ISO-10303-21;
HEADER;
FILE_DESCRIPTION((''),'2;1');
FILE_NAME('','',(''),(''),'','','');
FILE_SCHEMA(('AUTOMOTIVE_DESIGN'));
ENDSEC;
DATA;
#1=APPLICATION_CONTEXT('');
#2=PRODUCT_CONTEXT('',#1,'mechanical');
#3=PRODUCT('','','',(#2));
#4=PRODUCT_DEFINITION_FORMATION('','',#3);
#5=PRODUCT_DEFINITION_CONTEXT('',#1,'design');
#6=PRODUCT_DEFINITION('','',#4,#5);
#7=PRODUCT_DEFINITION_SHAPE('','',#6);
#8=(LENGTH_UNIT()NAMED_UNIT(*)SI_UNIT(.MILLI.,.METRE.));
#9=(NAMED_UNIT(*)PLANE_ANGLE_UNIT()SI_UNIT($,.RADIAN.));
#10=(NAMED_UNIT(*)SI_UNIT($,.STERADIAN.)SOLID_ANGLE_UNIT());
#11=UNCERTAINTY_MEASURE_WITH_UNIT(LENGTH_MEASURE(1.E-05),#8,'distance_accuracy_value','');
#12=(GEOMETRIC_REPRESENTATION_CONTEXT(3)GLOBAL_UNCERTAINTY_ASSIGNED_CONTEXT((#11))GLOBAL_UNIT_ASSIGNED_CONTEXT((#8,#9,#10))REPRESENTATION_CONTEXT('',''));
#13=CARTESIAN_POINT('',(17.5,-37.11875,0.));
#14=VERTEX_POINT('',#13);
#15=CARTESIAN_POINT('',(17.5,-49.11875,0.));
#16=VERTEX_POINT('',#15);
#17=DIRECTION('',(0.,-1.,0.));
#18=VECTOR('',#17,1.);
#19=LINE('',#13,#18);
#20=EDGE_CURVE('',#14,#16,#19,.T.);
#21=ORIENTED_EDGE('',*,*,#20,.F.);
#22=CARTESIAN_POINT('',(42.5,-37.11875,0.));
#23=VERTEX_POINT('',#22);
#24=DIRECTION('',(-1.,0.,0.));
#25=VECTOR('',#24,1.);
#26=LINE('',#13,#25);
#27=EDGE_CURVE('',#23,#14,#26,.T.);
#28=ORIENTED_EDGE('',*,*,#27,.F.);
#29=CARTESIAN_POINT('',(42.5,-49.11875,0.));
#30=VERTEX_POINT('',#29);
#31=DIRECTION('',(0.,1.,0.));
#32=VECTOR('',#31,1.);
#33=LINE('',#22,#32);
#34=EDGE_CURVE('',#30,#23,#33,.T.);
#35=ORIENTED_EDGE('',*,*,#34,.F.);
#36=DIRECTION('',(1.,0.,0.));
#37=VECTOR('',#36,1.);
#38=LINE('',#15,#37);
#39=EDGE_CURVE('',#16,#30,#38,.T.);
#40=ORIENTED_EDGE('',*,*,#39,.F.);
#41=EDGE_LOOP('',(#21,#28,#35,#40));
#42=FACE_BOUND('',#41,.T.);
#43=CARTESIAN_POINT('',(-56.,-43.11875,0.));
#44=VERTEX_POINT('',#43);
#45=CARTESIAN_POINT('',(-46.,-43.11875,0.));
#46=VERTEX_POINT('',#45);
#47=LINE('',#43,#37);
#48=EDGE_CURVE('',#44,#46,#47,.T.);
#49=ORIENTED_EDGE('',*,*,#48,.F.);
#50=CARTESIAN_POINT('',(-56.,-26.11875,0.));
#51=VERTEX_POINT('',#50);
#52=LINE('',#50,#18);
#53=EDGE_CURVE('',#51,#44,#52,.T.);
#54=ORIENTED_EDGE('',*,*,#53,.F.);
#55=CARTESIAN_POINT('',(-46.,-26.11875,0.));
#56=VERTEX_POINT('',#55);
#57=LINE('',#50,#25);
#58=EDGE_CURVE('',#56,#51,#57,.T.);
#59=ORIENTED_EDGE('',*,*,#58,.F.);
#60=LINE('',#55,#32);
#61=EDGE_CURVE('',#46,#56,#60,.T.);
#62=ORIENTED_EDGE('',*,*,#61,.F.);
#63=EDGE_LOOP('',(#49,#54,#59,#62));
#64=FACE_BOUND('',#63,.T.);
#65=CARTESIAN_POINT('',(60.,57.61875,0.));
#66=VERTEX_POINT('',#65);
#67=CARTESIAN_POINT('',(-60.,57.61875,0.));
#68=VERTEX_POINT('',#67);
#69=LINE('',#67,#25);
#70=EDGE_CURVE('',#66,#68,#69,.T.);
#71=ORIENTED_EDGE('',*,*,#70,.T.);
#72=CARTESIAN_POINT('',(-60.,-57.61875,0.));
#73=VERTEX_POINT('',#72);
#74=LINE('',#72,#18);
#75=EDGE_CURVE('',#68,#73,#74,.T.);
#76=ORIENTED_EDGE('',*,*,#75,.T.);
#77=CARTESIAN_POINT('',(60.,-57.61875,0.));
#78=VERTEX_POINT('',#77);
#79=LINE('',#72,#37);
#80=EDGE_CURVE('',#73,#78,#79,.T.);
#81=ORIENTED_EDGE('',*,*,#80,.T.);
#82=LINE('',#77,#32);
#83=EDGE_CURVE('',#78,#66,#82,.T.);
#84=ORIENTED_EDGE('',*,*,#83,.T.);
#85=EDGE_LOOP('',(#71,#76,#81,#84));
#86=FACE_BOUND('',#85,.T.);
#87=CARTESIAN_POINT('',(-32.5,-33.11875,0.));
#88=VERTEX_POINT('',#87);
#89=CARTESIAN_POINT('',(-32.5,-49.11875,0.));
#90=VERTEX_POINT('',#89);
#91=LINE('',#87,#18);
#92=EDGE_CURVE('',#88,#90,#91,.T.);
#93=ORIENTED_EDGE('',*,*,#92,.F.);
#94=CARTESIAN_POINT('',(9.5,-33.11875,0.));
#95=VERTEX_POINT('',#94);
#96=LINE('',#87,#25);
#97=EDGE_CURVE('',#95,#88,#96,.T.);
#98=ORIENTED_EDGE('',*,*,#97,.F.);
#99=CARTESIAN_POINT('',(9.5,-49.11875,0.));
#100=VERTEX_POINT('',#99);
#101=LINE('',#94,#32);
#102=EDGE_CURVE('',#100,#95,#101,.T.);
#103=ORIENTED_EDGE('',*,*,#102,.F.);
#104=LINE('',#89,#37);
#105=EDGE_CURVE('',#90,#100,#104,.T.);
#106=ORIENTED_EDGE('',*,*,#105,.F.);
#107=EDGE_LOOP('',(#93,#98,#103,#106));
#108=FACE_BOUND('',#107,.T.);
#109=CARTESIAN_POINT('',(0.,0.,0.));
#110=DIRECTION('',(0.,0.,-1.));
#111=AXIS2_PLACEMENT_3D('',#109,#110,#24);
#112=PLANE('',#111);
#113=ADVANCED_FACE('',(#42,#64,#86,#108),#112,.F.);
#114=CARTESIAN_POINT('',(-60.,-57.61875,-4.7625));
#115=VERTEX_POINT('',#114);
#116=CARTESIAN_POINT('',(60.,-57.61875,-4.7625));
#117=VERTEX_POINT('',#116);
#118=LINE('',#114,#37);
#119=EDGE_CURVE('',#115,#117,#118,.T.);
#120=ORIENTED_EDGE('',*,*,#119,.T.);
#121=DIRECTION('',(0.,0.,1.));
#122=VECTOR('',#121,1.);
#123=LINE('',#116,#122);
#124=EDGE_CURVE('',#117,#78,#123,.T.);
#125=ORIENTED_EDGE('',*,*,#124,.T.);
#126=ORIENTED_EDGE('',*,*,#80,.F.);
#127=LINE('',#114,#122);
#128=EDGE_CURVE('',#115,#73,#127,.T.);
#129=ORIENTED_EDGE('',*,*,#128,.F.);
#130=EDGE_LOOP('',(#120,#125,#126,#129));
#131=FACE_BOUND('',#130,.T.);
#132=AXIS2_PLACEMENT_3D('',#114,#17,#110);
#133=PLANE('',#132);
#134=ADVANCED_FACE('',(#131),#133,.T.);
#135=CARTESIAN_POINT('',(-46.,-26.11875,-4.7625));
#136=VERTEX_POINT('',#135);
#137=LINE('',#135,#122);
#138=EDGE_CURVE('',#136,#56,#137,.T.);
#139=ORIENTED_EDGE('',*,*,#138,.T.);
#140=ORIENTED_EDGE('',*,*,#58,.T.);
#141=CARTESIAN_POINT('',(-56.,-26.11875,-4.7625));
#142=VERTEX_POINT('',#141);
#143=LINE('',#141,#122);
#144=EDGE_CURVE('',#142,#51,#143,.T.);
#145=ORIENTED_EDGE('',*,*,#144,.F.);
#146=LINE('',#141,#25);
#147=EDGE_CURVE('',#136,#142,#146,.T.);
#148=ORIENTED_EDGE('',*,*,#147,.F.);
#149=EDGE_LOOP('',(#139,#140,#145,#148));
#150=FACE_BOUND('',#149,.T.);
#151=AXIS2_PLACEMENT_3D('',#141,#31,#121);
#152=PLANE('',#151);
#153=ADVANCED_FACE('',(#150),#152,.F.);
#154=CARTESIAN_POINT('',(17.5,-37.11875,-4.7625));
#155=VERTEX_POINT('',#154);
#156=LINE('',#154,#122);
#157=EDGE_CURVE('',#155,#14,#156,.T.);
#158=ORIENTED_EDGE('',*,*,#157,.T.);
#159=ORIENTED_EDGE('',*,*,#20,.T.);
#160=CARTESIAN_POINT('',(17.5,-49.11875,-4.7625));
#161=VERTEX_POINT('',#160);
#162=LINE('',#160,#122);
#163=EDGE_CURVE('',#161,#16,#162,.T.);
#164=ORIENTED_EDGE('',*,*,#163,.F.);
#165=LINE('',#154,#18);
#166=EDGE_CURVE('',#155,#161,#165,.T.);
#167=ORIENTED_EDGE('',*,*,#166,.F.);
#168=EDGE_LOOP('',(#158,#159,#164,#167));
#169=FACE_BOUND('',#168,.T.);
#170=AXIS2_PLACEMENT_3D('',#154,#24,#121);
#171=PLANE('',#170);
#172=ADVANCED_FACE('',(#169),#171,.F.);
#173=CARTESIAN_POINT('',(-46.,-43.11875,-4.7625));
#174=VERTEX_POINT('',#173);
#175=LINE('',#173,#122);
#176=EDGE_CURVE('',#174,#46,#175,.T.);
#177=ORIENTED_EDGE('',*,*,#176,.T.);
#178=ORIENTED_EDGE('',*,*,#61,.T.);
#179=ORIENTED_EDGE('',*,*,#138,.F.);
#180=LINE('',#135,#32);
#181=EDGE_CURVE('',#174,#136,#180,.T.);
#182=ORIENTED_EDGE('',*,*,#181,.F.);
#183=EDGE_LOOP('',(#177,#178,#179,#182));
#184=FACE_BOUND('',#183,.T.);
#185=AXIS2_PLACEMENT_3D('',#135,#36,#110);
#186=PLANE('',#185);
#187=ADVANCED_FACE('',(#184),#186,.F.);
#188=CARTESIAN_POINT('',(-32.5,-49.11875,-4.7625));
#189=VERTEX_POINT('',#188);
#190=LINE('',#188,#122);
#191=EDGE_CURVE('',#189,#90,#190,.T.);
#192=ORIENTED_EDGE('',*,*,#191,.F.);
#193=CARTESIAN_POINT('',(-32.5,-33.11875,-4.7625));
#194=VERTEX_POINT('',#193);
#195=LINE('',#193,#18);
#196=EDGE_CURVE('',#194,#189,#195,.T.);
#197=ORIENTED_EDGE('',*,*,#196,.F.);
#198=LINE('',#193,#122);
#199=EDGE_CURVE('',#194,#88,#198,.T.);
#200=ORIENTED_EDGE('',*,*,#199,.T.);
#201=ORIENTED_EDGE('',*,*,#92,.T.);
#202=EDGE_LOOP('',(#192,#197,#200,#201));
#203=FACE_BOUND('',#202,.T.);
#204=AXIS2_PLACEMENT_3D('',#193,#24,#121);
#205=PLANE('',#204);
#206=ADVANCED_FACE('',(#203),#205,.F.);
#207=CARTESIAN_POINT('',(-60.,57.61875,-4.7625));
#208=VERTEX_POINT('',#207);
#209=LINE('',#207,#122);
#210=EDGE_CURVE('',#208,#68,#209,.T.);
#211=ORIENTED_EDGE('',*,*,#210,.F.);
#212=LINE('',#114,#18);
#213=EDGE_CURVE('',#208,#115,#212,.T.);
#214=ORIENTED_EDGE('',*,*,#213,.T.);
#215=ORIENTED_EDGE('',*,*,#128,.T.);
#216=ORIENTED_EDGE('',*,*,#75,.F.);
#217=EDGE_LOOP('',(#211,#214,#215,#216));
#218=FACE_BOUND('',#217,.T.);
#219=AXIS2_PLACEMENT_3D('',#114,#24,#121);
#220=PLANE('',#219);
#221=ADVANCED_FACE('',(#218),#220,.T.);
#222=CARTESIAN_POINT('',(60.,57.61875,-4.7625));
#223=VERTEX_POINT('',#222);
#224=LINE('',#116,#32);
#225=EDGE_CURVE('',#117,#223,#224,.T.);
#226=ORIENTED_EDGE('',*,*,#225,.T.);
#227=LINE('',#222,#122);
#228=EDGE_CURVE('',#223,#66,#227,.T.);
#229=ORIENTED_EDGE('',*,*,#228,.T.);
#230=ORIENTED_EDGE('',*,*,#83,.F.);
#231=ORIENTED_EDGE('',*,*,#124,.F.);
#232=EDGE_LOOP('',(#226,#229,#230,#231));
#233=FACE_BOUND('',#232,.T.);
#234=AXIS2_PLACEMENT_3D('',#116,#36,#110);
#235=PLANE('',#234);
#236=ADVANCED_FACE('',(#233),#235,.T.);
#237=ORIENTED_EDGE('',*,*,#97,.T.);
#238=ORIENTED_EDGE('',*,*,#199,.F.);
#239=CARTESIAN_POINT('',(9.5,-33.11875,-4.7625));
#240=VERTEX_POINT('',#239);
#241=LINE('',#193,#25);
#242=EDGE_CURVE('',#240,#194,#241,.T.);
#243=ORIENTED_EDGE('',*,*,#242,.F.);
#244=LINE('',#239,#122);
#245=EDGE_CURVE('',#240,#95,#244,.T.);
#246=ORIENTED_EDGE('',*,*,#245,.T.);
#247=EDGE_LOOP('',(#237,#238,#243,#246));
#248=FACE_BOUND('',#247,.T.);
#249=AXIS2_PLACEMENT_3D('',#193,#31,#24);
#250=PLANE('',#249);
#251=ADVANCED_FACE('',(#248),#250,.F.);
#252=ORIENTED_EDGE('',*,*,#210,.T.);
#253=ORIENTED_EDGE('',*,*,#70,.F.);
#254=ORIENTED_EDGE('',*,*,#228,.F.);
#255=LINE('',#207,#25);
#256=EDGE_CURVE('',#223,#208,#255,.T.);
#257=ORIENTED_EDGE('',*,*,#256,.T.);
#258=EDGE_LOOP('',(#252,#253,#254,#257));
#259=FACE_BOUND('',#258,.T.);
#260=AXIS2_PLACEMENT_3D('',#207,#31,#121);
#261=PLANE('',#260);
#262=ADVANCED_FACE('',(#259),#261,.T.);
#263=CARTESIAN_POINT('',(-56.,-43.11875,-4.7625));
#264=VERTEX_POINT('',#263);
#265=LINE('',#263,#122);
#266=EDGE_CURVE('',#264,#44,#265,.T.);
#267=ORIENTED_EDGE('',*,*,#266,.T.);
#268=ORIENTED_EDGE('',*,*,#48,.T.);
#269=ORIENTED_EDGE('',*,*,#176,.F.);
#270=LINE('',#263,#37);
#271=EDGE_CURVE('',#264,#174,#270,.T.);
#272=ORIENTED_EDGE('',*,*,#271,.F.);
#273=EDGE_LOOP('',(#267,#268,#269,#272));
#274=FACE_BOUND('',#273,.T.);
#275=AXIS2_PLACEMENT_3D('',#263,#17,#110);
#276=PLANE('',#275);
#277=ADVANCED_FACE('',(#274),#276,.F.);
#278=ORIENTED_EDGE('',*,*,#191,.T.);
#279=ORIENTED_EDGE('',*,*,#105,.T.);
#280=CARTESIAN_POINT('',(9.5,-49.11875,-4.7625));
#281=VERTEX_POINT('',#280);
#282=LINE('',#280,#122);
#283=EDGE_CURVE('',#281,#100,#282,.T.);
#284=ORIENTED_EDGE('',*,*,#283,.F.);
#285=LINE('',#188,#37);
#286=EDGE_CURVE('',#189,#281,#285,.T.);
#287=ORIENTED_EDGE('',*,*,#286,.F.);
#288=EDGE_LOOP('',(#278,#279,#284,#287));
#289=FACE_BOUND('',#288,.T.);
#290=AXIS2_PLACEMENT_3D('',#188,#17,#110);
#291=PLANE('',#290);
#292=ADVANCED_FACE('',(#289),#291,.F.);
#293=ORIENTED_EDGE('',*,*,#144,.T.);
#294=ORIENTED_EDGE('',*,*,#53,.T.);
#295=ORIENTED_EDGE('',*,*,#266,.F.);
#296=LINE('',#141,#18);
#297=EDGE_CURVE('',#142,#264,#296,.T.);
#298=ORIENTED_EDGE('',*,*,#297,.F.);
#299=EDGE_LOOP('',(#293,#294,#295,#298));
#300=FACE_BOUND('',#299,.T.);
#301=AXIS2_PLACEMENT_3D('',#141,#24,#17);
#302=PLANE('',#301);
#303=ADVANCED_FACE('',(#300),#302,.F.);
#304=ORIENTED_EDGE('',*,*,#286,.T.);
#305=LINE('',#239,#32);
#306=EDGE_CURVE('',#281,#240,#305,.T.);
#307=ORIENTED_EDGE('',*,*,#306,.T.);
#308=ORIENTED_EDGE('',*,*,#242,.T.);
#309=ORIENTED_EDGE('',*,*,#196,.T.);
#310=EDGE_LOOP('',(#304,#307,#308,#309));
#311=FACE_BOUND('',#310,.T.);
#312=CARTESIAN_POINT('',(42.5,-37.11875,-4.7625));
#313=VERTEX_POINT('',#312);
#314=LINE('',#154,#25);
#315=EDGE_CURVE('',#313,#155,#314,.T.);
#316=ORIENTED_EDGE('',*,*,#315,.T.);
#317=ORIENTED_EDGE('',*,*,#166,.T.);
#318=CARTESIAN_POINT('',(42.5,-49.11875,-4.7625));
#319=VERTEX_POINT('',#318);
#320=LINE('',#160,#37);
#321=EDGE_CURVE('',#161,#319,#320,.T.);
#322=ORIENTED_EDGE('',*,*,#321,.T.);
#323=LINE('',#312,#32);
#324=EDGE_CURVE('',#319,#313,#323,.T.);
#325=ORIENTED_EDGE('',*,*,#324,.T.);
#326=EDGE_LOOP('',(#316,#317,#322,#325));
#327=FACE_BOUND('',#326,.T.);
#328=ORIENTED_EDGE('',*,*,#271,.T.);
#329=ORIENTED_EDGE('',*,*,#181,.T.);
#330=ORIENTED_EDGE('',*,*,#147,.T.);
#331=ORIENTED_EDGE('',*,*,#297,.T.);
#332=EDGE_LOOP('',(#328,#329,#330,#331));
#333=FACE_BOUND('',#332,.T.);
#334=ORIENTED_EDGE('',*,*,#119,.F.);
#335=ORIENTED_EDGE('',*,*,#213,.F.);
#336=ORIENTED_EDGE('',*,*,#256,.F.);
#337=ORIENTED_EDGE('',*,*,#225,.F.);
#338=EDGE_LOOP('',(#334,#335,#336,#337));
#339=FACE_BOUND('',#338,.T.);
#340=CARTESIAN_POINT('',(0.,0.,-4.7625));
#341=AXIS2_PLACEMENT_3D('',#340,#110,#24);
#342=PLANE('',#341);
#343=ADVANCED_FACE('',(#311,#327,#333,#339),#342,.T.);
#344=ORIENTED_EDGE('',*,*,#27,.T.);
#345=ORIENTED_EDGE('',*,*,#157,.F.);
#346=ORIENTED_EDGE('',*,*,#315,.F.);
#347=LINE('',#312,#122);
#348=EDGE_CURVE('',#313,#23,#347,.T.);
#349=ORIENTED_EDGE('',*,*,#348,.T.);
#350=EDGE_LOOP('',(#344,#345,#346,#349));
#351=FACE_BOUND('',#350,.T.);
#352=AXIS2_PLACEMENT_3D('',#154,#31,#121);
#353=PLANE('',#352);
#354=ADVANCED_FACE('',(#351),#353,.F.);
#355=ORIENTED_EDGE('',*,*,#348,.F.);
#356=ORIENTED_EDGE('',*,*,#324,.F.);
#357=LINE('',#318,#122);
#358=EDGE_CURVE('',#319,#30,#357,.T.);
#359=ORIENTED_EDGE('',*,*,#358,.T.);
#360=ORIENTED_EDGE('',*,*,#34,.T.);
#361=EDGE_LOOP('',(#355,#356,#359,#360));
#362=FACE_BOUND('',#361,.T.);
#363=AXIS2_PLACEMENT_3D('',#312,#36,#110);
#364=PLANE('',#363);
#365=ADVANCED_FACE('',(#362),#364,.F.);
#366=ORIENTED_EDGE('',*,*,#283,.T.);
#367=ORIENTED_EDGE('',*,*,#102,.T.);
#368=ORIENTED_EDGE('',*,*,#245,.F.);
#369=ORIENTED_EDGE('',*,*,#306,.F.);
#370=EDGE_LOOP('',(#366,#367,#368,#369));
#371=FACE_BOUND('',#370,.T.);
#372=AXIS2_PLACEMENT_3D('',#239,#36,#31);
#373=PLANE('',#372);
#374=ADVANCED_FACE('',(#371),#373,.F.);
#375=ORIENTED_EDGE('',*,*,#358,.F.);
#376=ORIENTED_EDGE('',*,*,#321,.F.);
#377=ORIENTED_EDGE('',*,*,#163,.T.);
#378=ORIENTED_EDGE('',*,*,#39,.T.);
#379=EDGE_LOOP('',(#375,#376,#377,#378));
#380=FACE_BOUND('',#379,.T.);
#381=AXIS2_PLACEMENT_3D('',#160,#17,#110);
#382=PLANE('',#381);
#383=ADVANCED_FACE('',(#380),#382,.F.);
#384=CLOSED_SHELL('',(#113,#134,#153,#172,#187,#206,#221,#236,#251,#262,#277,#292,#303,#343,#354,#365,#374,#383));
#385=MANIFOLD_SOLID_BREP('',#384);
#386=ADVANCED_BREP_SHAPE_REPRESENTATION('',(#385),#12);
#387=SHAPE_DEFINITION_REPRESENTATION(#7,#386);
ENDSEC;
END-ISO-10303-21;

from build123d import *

# Parameters (mm, degrees)
SKETCH1_W           = 120
SKETCH1_H           = 115.2375
BOSS_EXTRUDE1_DEPTH = 4.7625
SKETCH2_W           = 25
SKETCH2_H           = 12
SKETCH2_W_2         = 42
SKETCH2_H_2         = 16
SKETCH2_W_3         = 10
SKETCH2_H_3         = 17
CUT_EXTRUDE1_DEPTH  = 5.7625


with BuildPart() as part:
    # Sketch1 → Boss-Extrude1 (new body)
    with BuildSketch(Plane.XY):
        Rectangle(SKETCH1_W, SKETCH1_H)
    extrude(amount=-BOSS_EXTRUDE1_DEPTH)

    # Sketch2 → Cut-Extrude1 (cut, through all)
    with BuildSketch(Plane.XY):
        with Locations((30, -43.11875)):
            Rectangle(SKETCH2_W, SKETCH2_H)
        with Locations((-11.5, -41.11875)):
            Rectangle(SKETCH2_W_2, SKETCH2_H_2)
        with Locations((-51, -34.61875)):
            Rectangle(SKETCH2_W_3, SKETCH2_H_3)
    extrude(amount=-CUT_EXTRUDE1_DEPTH, mode=Mode.SUBTRACT)


solid = part.part
